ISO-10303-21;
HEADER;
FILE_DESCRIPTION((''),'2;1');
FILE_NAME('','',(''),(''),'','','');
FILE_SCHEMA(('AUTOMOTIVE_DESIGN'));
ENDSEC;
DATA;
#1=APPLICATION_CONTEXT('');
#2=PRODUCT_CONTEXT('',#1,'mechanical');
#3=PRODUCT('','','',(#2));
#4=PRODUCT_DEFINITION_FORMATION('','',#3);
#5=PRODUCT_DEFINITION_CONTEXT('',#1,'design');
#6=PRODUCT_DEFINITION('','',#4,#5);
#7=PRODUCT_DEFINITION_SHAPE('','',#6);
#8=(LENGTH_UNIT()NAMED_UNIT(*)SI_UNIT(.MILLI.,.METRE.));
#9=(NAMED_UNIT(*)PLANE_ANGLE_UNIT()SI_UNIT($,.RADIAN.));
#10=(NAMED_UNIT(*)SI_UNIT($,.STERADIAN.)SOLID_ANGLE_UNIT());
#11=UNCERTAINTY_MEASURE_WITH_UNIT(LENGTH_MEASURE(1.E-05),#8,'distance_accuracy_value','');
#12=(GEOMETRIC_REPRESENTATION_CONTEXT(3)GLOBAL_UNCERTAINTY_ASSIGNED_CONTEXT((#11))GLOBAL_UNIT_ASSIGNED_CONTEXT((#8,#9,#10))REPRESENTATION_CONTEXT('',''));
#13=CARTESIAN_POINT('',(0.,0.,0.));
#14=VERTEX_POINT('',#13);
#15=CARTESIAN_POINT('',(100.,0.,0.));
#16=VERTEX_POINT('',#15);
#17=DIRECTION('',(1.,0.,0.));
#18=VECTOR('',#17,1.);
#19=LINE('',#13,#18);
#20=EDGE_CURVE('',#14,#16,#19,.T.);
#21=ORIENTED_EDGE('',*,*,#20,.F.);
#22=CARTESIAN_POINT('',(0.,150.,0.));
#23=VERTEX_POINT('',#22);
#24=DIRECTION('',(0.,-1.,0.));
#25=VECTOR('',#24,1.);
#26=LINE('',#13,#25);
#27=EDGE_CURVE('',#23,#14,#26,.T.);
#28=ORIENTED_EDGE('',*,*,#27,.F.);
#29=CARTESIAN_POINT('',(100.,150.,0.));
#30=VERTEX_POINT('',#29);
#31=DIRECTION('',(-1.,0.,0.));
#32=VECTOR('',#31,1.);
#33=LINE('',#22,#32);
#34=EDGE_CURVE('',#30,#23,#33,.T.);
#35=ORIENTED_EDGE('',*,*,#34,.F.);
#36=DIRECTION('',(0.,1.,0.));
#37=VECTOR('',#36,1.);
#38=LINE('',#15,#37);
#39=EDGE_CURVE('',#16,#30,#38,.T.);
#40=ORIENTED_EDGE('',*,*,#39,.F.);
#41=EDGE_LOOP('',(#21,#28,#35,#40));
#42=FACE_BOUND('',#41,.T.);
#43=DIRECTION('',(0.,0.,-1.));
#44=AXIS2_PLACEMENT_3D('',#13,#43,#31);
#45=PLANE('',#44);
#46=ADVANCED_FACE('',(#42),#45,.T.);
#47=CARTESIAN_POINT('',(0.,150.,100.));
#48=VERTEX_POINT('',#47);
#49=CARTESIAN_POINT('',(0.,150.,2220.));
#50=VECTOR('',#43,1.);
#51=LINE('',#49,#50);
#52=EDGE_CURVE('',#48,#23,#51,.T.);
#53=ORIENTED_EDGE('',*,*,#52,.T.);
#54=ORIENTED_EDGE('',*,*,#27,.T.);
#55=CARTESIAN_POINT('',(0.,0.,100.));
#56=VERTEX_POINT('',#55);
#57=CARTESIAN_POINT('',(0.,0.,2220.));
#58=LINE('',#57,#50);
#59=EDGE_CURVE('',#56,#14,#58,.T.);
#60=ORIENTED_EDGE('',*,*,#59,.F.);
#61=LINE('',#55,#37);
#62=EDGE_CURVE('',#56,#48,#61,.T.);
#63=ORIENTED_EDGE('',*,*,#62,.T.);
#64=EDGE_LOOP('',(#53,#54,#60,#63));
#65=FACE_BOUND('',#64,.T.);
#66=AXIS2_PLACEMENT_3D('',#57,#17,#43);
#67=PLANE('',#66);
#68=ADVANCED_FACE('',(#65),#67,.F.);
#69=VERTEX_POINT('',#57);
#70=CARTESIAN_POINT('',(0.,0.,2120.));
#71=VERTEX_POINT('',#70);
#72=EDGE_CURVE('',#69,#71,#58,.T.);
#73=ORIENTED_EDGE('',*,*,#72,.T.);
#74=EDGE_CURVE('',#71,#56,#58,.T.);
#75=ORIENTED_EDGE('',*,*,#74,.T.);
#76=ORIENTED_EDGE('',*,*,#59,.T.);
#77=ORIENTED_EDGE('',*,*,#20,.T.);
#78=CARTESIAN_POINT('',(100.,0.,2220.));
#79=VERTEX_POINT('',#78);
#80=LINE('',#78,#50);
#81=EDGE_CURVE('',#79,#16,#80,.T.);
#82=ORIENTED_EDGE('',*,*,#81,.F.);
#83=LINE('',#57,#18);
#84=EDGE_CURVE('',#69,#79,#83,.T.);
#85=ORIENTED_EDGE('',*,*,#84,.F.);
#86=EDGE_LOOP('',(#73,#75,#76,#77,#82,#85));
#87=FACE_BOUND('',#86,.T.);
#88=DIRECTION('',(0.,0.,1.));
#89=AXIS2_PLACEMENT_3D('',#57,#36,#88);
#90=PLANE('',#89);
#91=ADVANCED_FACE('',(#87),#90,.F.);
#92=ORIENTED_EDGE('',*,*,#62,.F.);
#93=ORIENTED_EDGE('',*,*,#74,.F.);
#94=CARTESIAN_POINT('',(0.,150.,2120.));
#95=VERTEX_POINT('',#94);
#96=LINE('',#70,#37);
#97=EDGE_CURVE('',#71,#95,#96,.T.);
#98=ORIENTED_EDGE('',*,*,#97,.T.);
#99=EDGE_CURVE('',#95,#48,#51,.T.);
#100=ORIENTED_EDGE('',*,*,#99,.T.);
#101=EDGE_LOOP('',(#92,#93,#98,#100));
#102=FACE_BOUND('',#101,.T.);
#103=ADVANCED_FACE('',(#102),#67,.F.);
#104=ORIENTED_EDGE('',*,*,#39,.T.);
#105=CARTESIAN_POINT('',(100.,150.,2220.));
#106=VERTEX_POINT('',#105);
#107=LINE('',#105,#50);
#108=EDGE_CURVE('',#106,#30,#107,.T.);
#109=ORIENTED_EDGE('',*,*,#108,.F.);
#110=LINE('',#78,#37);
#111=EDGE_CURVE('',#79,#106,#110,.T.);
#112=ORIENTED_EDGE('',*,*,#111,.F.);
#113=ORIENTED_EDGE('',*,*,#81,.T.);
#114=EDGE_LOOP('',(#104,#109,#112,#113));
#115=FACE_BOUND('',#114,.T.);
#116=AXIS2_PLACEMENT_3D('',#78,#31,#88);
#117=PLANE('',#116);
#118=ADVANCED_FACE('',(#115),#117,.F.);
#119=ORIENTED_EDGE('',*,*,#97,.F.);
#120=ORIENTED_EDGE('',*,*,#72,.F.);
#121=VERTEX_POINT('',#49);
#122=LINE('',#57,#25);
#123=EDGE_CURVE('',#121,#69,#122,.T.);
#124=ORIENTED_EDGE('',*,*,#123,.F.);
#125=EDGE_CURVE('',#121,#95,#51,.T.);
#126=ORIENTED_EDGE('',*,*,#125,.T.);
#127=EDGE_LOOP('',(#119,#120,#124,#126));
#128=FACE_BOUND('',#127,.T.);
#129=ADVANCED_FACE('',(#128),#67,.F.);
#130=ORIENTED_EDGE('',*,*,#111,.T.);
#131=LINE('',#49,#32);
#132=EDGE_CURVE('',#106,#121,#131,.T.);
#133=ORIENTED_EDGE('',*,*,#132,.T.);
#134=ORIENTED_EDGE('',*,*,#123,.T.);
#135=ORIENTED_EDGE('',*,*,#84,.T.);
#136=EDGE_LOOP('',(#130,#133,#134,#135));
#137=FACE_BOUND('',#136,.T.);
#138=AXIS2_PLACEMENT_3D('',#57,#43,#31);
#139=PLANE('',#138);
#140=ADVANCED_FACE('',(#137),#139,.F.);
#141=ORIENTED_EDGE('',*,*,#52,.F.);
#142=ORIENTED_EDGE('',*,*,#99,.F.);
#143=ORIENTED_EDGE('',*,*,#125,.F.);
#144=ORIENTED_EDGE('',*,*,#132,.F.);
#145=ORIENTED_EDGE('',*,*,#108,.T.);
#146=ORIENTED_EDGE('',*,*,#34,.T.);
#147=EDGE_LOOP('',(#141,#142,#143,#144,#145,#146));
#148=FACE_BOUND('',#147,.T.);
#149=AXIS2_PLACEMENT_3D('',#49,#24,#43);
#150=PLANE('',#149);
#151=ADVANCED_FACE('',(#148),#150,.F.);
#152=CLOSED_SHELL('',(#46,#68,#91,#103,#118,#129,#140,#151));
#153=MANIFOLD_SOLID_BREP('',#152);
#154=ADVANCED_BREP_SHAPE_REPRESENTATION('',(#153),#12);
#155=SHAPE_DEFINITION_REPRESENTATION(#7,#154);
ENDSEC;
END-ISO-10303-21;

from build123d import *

# Parameters (mm, degrees)
SZKIC1_W                    = 100
SZKIC1_H                    = 150
DODANIE_WYCI_GNI_CIE1_DEPTH = 2220


with BuildPart() as part:
    # Szkic1 → Dodanie-wyciągnięcie1 (new body)
    with BuildSketch(Plane.XY):
        with Locations((50, 75)):
            Rectangle(SZKIC1_W, SZKIC1_H)
    extrude(amount=DODANIE_WYCI_GNI_CIE1_DEPTH)


solid = part.part
